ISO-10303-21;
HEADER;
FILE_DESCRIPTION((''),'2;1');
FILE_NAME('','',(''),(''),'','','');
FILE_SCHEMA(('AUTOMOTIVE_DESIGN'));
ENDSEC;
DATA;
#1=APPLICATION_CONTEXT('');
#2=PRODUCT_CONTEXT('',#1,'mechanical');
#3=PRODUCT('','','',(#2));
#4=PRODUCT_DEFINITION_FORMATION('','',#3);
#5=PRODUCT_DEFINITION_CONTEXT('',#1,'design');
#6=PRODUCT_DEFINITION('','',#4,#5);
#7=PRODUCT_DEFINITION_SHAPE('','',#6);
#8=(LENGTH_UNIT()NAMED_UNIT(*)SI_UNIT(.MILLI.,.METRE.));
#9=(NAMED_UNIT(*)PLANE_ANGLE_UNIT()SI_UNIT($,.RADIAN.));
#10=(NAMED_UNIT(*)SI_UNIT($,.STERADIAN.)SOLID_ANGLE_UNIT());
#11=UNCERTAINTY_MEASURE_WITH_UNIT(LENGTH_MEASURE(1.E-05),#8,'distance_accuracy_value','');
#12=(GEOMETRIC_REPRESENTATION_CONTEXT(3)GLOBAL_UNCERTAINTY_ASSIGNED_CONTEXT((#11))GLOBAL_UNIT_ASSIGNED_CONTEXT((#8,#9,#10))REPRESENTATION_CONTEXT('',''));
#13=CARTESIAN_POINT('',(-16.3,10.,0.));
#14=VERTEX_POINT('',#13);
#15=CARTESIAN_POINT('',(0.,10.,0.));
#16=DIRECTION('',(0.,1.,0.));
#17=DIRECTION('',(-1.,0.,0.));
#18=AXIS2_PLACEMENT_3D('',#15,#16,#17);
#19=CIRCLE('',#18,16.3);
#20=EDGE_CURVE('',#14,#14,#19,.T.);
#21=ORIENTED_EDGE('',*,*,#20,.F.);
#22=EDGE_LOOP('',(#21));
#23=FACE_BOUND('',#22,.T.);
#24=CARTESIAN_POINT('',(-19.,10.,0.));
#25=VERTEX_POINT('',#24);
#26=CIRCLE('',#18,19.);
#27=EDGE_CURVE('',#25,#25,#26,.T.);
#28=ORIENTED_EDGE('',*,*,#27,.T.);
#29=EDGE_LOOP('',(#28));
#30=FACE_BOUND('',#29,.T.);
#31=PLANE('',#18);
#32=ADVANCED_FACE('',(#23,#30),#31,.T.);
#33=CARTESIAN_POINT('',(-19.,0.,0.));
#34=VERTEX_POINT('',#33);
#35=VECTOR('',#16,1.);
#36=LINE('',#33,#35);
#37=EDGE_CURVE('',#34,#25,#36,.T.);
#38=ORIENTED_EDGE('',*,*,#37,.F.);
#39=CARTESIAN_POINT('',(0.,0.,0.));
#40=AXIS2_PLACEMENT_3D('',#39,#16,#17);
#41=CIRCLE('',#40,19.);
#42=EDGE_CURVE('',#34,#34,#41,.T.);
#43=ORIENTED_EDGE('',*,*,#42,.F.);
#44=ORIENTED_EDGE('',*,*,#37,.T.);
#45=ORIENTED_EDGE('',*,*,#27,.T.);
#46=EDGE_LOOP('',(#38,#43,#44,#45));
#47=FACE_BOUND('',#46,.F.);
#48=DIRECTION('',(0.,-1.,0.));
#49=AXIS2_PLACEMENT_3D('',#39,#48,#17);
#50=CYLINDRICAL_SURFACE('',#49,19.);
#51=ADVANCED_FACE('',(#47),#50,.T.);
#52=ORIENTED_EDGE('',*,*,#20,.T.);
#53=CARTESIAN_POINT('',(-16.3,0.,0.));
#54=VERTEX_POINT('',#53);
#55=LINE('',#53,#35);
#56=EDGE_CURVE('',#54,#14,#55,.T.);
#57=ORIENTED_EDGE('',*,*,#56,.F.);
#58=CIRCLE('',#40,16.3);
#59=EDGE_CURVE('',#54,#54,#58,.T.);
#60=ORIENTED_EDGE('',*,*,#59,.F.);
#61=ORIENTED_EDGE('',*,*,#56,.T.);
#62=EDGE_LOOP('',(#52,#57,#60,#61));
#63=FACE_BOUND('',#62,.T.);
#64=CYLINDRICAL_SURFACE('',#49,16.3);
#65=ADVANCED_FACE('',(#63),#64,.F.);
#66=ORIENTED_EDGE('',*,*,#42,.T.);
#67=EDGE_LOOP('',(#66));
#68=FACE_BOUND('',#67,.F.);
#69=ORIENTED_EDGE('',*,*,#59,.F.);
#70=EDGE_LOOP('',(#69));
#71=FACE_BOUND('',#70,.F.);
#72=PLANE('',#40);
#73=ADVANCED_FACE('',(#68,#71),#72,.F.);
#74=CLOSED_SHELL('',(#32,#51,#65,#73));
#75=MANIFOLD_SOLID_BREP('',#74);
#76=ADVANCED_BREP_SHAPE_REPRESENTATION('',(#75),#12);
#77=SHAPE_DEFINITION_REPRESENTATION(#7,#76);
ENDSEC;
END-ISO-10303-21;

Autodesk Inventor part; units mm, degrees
ref_plane "YZ Plane" through (0, 0, 0) normal (1, 0, 0) x (0, 1, 0)
ref_plane "XZ Plane" through (0, 0, 0) normal (0, 1, 0) x (-1, 0, 0)
ref_plane "XY Plane" through (0, 0, 0) normal (0, 0, 1) x (1, 0, 0)
sketch "Esquisse1" plane through (0, 0, 0) normal (0, 1, 0) x (-1, 0, 0)
  circle A0 centre (0, 0) radius 19
  circle A1 centre (0, 0) radius 16.3
  dimension "d0" = 32.6
  dimension "d1" = 38
extrude "Extrusion1" add sketch "Esquisse1" along normal blind 10
properties part number "test ajustement moteur"
